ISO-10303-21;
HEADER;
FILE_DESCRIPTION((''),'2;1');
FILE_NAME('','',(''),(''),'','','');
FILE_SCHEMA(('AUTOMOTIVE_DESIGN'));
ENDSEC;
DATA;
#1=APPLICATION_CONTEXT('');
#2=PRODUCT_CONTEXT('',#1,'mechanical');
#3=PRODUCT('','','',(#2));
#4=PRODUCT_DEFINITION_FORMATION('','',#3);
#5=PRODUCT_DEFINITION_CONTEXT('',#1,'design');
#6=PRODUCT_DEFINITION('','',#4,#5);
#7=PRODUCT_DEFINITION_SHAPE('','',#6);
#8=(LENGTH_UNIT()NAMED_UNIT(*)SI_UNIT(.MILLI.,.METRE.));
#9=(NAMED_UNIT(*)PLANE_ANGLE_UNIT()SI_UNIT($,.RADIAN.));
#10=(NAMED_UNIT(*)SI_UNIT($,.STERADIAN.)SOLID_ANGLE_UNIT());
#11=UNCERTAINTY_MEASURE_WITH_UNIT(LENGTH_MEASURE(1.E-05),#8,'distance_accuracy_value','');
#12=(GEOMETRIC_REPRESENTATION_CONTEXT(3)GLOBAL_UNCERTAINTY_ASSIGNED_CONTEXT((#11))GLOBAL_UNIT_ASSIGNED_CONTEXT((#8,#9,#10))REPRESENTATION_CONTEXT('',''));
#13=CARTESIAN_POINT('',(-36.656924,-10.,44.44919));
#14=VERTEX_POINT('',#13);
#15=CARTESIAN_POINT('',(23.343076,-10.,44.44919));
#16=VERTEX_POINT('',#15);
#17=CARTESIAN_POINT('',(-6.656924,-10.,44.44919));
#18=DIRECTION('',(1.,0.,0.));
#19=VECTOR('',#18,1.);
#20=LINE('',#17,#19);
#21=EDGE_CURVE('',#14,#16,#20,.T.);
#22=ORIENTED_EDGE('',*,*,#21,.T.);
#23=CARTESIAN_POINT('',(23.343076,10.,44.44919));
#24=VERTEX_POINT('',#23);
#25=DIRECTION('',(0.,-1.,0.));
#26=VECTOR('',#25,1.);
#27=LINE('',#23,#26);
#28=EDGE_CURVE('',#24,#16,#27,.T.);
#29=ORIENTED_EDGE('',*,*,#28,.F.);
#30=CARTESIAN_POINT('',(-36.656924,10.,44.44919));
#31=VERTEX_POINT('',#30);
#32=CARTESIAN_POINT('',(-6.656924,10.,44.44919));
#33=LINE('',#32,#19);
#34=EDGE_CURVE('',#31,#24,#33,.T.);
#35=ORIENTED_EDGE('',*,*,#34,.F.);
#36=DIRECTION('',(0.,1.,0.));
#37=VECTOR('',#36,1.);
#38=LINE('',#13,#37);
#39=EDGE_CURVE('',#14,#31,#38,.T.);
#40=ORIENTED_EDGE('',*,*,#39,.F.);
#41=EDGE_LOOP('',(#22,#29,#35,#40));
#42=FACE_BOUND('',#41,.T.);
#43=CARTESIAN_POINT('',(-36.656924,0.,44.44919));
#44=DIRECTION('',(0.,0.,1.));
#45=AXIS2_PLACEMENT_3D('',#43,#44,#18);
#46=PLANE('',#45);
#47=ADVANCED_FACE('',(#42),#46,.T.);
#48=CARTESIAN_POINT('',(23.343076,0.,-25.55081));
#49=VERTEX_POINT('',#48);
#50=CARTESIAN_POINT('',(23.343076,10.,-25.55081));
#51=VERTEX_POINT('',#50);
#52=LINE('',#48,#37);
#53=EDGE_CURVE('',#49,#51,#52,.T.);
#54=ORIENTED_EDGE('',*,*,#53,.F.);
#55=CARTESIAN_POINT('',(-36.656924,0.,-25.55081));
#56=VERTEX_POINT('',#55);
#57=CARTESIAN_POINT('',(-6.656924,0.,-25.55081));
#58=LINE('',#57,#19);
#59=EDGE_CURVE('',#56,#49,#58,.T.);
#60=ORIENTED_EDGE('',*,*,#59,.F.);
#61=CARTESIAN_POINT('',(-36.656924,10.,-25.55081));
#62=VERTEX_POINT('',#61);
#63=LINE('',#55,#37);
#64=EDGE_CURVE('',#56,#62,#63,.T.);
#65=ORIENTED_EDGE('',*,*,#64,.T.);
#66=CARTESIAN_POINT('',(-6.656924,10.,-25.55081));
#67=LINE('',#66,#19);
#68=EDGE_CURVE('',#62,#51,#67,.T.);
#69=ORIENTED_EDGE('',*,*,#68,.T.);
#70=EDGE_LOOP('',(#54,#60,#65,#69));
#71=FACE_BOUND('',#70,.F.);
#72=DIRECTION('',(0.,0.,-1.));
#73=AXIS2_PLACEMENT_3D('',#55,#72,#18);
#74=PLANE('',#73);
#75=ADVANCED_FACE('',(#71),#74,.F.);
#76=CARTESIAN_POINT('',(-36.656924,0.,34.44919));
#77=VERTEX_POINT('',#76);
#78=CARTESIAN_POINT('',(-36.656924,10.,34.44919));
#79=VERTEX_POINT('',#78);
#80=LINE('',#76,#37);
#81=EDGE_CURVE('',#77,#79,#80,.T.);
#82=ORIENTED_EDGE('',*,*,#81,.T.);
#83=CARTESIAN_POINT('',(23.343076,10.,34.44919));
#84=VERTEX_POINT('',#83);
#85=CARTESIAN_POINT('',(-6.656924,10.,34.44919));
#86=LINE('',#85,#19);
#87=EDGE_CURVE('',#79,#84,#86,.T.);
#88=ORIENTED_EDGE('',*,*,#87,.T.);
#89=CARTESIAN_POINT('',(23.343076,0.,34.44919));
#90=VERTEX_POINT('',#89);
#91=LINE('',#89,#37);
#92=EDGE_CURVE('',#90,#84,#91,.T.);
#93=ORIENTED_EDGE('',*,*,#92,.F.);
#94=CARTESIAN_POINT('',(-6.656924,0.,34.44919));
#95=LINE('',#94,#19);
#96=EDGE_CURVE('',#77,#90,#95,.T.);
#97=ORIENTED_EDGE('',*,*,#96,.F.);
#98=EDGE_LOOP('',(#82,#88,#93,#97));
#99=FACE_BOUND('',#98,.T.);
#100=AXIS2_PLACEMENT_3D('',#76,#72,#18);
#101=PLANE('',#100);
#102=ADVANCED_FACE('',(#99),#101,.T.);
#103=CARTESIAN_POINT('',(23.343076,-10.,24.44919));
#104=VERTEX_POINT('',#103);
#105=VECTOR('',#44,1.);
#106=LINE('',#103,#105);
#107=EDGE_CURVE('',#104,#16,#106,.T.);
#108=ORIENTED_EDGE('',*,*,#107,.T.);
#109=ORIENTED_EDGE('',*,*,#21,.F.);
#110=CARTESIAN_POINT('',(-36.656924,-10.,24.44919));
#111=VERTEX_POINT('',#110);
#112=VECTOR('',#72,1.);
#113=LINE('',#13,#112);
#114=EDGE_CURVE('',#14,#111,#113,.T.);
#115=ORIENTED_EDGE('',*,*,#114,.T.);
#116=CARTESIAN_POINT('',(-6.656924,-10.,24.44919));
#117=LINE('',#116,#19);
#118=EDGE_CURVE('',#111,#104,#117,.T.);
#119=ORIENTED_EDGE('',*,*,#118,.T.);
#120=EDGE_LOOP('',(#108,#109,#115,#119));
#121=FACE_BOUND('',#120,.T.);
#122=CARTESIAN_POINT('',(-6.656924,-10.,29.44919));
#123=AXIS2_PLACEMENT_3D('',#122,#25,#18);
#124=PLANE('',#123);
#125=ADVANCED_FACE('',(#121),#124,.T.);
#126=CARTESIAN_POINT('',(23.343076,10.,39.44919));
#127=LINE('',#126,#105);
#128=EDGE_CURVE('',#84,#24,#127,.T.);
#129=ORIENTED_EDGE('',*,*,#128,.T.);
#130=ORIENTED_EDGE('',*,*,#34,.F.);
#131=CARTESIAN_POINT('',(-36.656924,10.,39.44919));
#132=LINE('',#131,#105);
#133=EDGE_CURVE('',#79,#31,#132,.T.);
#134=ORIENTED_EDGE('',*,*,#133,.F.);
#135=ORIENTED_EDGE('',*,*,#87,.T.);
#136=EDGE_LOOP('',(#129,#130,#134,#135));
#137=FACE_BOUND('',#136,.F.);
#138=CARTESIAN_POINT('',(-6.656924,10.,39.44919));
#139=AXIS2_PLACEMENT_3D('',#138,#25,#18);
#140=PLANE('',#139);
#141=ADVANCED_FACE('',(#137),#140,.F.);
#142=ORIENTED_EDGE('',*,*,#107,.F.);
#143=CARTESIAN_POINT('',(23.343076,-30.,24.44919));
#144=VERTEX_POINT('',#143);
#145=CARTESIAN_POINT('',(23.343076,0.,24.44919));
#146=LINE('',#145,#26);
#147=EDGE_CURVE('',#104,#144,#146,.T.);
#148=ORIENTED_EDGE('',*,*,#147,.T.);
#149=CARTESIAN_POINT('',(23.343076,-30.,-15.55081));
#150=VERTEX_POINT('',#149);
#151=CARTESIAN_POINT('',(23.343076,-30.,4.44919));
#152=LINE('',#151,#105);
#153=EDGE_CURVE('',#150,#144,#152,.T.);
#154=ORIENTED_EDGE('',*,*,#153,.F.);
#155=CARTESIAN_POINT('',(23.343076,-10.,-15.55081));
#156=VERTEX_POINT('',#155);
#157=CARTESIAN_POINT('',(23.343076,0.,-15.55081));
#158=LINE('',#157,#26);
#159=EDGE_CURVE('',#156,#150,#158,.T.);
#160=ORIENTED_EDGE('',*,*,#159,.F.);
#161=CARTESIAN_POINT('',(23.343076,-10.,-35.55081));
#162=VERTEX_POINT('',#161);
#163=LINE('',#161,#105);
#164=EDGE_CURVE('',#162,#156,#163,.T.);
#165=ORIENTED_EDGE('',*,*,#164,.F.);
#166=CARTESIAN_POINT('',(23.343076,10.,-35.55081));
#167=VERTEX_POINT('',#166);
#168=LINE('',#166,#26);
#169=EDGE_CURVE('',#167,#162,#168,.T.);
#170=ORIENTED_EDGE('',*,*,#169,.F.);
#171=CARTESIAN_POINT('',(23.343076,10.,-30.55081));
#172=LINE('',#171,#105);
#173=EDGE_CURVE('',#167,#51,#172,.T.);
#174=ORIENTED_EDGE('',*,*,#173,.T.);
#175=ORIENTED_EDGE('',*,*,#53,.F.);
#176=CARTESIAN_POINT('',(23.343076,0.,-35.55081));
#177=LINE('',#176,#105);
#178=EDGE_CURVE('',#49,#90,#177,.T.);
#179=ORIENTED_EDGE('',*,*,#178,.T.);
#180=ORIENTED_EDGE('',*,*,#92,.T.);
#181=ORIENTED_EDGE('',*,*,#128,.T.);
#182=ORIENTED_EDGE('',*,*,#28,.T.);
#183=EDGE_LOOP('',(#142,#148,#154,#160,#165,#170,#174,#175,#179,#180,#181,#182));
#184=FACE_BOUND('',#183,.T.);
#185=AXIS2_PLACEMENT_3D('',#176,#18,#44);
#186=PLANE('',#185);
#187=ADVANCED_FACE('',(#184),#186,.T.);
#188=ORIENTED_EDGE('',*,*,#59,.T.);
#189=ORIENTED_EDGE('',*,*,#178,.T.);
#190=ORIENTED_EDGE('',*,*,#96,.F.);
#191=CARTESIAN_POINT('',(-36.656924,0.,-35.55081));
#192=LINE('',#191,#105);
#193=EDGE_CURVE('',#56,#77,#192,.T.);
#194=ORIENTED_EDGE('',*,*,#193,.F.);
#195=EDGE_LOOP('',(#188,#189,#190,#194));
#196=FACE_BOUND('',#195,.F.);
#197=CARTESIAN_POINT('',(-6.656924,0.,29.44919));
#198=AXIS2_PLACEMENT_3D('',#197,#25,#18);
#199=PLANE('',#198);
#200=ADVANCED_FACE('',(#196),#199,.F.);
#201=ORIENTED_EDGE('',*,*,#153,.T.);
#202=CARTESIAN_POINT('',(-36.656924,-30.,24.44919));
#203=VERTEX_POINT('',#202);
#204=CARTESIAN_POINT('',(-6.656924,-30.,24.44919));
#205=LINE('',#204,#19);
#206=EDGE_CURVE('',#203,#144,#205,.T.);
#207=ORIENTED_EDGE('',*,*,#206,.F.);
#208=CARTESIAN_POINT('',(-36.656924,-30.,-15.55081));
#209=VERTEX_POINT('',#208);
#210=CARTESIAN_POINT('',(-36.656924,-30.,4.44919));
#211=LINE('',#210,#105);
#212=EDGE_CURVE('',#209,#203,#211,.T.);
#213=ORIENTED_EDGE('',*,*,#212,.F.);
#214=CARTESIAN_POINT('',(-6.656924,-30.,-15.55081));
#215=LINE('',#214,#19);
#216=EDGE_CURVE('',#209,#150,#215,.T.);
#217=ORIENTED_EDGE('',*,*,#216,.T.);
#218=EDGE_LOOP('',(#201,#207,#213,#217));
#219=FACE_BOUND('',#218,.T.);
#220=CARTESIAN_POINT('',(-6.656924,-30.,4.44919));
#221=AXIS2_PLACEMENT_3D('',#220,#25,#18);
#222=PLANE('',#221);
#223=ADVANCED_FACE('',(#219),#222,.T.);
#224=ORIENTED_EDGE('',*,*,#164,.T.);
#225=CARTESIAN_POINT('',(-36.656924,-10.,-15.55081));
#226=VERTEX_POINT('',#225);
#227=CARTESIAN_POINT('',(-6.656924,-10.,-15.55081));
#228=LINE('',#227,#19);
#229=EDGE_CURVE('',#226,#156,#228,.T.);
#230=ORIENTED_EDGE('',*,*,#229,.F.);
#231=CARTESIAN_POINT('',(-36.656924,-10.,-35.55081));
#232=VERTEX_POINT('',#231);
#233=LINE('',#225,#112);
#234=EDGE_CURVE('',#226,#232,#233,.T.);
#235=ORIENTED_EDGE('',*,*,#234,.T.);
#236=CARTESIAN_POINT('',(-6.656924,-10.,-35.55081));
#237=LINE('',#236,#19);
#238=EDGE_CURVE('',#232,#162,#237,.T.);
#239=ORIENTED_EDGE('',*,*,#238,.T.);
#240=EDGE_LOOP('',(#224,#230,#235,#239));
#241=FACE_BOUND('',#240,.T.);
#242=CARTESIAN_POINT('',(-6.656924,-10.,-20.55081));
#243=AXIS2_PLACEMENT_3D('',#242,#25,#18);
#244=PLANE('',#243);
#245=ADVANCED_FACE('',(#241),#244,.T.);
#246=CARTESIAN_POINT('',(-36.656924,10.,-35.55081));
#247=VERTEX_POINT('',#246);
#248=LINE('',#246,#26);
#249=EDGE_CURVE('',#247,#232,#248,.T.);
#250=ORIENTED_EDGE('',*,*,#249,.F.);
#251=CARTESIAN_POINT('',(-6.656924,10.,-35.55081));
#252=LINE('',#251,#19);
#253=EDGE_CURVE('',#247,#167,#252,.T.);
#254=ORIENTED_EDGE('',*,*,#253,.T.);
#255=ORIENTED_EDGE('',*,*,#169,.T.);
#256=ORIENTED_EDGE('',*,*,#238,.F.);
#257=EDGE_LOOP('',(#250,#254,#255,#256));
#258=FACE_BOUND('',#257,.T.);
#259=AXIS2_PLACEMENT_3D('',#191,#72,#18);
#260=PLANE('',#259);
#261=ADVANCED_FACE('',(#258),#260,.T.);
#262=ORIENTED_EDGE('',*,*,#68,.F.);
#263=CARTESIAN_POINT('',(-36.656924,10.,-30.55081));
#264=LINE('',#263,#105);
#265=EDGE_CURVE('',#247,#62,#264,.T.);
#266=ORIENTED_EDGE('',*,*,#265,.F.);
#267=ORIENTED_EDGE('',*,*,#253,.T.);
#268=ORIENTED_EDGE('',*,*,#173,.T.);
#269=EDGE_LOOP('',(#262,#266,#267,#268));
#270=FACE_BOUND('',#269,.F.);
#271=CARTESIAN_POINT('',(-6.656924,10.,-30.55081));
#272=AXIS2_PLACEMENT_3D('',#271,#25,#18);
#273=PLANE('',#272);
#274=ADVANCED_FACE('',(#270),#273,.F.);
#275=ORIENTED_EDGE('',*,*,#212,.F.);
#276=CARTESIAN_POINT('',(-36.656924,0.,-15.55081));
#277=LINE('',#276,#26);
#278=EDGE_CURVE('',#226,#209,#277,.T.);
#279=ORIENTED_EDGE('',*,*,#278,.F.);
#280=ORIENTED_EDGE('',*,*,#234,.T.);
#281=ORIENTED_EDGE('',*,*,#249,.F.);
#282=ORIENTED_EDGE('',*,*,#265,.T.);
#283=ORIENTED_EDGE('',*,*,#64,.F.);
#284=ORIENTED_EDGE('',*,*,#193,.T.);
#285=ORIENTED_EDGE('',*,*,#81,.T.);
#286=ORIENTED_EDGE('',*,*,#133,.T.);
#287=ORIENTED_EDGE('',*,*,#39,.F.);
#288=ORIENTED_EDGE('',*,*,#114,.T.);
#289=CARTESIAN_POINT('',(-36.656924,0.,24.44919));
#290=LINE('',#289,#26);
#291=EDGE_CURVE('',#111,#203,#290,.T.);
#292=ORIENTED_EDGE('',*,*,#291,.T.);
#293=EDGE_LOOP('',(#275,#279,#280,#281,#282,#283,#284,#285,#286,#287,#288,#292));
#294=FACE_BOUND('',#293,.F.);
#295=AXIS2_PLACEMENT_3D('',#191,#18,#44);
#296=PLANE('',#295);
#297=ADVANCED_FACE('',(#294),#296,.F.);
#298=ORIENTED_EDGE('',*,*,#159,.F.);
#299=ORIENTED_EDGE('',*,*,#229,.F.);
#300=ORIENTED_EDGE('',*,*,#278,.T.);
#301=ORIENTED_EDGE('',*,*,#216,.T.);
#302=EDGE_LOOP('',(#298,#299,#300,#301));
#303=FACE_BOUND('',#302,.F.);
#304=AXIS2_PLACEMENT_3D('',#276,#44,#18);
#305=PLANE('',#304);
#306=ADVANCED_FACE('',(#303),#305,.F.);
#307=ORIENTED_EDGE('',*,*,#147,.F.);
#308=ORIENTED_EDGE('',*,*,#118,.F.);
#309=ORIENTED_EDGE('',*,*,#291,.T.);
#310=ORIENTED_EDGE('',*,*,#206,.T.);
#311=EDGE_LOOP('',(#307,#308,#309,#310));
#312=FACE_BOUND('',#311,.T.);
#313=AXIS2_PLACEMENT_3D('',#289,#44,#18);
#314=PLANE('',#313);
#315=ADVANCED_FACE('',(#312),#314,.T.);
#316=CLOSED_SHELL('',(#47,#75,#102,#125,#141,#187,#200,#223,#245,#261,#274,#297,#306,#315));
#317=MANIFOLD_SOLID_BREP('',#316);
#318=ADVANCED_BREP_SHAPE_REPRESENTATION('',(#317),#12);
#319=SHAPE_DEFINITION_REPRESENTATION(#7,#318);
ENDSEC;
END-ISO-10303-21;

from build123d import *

# Parameters (mm, degrees)
F0_W     = 60
F0_H     = 40
F1_DEPTH = 30
F0_H_2   = 10
F2_DEPTH = 10
F3_DEPTH = 10


with BuildPart() as f1:
    # F0 (on Front) → F1 (new body)
    with BuildSketch(Plane.XZ):
        with Locations((-6.656924, 4.44919)):
            Rectangle(F0_W, F0_H)
    extrude(amount=F1_DEPTH)

    # F0 (on Front) → F2 (join)
    with BuildSketch(Plane.XZ):
        with Locations((-6.656924, 29.44919)):
            Rectangle(F0_W, F0_H_2)
        with Locations((-6.656924, -20.55081)):
            Rectangle(F0_W, F0_H_2)
        with Locations((-6.656924, 39.44919)):
            Rectangle(F0_W, F0_H_2)
        with Locations((-6.656924, -30.55081)):
            Rectangle(F0_W, F0_H_2)
    extrude(amount=F2_DEPTH)

    # F0 (on Front) → F3 (join)
    with BuildSketch(Plane.XZ):
        with Locations((-6.656924, -30.55081)):
            Rectangle(F0_W, F0_H_2)
        with Locations((-6.656924, 39.44919)):
            Rectangle(F0_W, F0_H_2)
    extrude(amount=-F3_DEPTH)


solid = f1.part
